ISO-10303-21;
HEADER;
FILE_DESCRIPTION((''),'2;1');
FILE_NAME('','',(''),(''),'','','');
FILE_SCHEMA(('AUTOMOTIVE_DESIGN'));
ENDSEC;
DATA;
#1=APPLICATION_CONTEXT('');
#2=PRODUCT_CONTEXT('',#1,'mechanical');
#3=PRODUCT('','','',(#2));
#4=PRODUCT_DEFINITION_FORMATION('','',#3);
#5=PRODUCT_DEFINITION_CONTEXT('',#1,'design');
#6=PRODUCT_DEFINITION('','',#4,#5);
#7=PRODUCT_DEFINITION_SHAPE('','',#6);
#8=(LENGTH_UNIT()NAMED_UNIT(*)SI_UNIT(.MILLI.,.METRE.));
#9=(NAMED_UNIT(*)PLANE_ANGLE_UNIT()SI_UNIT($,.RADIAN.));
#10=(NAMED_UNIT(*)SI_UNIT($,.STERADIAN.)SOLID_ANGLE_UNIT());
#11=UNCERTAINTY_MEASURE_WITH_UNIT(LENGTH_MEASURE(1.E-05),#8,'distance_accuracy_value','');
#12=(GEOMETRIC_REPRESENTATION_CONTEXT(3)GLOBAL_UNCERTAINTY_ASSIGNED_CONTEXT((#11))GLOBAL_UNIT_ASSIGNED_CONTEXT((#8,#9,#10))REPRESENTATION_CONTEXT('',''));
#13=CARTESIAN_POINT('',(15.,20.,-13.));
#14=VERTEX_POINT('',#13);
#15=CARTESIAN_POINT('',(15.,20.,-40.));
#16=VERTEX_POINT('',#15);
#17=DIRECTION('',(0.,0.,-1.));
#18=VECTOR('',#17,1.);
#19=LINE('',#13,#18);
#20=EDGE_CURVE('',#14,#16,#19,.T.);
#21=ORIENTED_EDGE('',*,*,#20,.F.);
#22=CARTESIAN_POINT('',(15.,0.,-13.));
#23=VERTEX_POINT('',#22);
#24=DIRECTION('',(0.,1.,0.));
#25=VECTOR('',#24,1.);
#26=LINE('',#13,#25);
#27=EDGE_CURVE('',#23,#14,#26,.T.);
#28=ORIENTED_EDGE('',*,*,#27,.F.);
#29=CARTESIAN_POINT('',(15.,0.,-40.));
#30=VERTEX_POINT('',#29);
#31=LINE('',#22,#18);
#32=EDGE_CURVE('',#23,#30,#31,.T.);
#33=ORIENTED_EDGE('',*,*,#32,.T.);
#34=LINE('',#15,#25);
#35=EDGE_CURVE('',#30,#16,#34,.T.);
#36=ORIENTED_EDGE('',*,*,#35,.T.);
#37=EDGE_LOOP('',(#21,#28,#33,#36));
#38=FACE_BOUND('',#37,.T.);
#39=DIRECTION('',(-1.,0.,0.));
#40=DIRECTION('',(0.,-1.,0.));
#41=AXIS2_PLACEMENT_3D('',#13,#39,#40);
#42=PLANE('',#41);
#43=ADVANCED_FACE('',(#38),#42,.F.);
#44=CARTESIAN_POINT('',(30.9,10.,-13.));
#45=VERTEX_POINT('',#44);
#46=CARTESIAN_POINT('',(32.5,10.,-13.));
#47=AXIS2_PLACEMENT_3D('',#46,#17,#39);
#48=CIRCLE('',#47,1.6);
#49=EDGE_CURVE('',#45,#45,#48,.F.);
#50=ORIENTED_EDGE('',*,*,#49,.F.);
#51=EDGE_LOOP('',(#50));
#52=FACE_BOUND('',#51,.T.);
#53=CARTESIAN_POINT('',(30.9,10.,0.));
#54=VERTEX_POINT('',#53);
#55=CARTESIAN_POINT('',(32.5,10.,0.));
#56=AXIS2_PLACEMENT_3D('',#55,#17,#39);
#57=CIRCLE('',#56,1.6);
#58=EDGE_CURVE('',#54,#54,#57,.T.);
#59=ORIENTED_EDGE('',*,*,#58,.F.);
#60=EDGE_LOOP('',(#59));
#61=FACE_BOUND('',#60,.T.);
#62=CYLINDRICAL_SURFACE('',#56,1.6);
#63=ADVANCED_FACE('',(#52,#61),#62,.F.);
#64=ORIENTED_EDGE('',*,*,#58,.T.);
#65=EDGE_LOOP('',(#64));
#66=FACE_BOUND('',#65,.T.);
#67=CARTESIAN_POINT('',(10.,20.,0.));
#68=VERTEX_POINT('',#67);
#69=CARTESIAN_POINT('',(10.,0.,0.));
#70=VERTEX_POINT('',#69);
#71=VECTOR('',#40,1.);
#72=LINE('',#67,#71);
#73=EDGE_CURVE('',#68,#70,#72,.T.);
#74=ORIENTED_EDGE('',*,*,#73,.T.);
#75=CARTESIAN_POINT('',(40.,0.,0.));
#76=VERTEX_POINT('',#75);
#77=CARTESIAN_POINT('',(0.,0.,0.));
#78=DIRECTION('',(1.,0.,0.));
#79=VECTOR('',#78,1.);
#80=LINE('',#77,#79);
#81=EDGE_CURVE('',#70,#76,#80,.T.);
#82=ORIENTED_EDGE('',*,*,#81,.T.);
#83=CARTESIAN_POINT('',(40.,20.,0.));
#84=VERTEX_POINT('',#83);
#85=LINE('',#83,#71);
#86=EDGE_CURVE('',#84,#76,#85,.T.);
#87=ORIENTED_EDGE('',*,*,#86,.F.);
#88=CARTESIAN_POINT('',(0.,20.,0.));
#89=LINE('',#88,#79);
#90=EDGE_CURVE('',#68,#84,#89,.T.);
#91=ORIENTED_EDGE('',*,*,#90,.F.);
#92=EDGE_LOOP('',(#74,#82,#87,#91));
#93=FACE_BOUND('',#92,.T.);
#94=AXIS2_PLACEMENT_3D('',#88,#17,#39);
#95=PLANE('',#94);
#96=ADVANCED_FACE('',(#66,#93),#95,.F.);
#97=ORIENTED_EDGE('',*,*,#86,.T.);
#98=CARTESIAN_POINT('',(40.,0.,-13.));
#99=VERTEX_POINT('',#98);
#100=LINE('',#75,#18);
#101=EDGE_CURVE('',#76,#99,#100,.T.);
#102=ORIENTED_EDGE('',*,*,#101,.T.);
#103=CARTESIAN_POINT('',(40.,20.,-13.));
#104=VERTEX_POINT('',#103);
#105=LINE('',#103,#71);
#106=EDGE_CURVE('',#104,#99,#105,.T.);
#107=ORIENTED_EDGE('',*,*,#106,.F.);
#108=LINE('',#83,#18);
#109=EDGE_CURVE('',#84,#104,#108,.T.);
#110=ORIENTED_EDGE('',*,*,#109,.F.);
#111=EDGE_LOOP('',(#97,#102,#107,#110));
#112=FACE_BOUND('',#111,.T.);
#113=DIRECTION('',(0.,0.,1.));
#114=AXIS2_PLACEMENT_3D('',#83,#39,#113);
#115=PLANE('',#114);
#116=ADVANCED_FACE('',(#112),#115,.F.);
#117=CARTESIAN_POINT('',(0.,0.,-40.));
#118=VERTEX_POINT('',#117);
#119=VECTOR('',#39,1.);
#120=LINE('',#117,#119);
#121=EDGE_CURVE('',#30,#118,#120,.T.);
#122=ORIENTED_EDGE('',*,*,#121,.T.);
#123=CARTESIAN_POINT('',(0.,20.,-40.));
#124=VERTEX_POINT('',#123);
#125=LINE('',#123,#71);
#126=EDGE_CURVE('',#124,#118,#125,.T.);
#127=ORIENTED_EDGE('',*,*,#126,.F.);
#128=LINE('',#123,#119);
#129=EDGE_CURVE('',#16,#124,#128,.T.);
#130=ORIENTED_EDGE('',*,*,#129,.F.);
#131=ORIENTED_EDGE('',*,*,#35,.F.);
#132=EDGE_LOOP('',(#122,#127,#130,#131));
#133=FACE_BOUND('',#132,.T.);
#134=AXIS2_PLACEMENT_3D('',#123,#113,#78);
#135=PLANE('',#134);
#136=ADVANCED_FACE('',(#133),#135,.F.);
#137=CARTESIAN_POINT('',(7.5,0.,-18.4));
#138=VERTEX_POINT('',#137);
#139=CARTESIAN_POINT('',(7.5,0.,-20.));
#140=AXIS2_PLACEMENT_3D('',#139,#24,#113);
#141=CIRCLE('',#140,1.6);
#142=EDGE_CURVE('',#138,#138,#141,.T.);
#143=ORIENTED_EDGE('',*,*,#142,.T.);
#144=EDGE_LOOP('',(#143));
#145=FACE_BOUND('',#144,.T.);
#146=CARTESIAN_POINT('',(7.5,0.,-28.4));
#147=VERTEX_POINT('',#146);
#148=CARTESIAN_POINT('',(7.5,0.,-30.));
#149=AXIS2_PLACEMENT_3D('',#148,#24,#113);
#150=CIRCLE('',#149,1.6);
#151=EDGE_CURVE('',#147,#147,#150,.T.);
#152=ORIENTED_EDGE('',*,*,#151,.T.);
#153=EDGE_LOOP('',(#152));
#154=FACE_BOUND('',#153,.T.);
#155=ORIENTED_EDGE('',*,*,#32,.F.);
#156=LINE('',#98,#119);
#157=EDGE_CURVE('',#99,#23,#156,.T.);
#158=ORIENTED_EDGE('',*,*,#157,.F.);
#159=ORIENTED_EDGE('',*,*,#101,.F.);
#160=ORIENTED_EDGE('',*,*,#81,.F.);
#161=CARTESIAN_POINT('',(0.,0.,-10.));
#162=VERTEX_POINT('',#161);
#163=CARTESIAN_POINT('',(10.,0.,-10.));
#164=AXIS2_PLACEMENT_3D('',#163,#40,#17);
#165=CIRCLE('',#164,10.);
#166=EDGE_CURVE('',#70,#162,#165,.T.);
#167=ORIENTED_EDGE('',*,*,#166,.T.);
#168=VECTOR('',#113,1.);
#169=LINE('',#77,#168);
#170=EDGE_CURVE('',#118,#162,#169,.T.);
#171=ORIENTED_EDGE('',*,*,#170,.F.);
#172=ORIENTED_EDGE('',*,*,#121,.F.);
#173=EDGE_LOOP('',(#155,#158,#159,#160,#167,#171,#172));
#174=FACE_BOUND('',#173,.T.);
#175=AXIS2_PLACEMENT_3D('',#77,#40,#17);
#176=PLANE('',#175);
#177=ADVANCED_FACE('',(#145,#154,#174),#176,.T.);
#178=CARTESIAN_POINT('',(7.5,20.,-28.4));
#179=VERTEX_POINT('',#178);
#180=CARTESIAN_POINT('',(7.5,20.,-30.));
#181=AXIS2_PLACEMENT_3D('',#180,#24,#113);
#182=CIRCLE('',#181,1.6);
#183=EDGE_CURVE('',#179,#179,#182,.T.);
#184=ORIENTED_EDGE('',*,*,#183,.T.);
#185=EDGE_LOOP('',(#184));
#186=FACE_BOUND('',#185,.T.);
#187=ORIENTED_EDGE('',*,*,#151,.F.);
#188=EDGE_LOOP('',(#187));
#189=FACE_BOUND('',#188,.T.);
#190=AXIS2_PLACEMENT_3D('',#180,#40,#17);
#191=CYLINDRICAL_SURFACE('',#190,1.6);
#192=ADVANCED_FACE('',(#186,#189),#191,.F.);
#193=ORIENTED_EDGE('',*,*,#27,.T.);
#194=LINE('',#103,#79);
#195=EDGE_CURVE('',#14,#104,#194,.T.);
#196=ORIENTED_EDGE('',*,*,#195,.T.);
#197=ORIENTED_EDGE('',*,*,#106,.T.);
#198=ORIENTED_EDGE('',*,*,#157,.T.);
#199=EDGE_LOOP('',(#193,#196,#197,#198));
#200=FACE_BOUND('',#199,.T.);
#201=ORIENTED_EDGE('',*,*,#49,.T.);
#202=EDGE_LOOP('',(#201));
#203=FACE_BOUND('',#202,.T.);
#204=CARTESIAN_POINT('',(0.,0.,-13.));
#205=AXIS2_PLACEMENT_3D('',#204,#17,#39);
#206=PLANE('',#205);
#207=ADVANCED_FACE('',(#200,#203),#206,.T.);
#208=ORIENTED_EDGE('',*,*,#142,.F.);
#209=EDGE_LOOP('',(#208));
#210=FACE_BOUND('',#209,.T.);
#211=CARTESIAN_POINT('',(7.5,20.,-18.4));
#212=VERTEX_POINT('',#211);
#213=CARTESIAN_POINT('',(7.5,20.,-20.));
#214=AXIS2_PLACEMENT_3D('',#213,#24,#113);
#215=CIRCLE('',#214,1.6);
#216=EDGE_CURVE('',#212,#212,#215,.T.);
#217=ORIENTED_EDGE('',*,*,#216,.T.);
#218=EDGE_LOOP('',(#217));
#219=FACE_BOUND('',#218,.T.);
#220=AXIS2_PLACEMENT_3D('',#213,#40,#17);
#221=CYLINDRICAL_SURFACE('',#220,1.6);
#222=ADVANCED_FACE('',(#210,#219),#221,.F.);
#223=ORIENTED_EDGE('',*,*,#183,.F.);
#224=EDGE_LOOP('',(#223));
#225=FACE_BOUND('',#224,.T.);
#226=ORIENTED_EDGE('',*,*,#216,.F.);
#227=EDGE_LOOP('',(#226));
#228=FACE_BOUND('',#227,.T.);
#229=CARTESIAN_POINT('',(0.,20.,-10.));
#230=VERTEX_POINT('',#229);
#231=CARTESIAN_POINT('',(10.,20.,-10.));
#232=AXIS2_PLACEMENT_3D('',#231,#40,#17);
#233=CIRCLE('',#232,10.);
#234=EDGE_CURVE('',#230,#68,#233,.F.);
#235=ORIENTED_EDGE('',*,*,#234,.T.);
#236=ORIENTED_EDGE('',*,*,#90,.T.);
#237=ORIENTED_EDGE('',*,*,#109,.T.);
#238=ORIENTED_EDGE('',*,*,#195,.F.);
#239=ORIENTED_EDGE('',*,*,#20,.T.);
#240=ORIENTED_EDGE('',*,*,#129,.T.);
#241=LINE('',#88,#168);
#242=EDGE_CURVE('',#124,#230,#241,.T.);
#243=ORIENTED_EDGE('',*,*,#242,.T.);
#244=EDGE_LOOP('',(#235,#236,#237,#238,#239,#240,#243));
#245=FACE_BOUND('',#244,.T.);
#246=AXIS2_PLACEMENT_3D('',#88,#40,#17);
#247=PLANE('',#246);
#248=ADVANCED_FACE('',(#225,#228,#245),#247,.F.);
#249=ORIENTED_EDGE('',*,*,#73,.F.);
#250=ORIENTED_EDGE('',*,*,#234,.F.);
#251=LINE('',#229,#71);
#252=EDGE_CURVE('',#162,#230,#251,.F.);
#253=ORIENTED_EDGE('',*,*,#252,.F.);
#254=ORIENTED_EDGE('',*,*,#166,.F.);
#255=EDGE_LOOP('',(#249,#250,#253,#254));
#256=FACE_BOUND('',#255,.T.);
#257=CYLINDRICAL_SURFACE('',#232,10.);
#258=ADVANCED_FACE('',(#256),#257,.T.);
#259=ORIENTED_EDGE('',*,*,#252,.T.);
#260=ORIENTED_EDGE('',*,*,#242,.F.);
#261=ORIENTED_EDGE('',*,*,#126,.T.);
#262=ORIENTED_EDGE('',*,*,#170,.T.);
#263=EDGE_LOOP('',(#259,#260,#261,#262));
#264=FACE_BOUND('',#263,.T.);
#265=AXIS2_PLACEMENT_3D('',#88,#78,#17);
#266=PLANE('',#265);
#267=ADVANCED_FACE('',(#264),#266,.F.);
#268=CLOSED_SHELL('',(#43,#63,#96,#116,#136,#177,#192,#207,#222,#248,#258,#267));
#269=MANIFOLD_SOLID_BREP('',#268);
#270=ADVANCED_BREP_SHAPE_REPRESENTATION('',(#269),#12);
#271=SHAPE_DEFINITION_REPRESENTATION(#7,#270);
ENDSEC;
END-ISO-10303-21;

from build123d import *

# Parameters (mm, degrees)
SKETCH_1_W          = 40
SKETCH_1_H          = 40
SKETCH_1_R          = 1.6
EXTRUDE_1_DEPTH     = 20
SKETCH_2_R          = 1.6
CUT_EXTRUDE_1_DEPTH = 61
SKETCH_3_W          = 25
SKETCH_3_H          = 20
CUT_EXTRUDE_2_DEPTH = 27
FILLET_1_R          = 10


with BuildPart() as part:
    # 草图1 → 凸台-拉伸1 (new body)
    with BuildSketch(Plane(origin=(0, 0, 0), x_dir=(1, 0, 0), z_dir=(0, 1, 0))):
        with Locations((20, 20)):
            Rectangle(SKETCH_1_W, SKETCH_1_H)
        with Locations(Location((7.5, 30, 0), (0, 0, 270))):
            Circle(SKETCH_1_R, mode=Mode.SUBTRACT)
        with Locations(Location((7.5, 20, 0), (0, 0, 270))):
            Circle(SKETCH_1_R, mode=Mode.SUBTRACT)
    extrude(amount=EXTRUDE_1_DEPTH)

    # 草图2 → 切除-拉伸1 (cut, through all)
    with BuildSketch(Plane(origin=(0, 0, -40), x_dir=(-1, 0, 0), z_dir=(0, 0, -1))):
        with Locations((-32.5, 10)):
            Circle(SKETCH_2_R)
    extrude(amount=-CUT_EXTRUDE_1_DEPTH, mode=Mode.SUBTRACT)

    # 草图3 → 切除-拉伸2 (cut)
    with BuildSketch(Plane(origin=(0, 0, -40), x_dir=(-1, 0, 0), z_dir=(0, 0, -1))):
        with Locations((-27.5, 10)):
            Rectangle(SKETCH_3_W, SKETCH_3_H)
    extrude(amount=-CUT_EXTRUDE_2_DEPTH, mode=Mode.SUBTRACT)

    # 圆角1
    fillet_1_edges = [part.edges().sort_by_distance(p)[0] for p in [
        (0, 10, 0),
    ]]
    fillet(fillet_1_edges, radius=FILLET_1_R)


solid = part.part
